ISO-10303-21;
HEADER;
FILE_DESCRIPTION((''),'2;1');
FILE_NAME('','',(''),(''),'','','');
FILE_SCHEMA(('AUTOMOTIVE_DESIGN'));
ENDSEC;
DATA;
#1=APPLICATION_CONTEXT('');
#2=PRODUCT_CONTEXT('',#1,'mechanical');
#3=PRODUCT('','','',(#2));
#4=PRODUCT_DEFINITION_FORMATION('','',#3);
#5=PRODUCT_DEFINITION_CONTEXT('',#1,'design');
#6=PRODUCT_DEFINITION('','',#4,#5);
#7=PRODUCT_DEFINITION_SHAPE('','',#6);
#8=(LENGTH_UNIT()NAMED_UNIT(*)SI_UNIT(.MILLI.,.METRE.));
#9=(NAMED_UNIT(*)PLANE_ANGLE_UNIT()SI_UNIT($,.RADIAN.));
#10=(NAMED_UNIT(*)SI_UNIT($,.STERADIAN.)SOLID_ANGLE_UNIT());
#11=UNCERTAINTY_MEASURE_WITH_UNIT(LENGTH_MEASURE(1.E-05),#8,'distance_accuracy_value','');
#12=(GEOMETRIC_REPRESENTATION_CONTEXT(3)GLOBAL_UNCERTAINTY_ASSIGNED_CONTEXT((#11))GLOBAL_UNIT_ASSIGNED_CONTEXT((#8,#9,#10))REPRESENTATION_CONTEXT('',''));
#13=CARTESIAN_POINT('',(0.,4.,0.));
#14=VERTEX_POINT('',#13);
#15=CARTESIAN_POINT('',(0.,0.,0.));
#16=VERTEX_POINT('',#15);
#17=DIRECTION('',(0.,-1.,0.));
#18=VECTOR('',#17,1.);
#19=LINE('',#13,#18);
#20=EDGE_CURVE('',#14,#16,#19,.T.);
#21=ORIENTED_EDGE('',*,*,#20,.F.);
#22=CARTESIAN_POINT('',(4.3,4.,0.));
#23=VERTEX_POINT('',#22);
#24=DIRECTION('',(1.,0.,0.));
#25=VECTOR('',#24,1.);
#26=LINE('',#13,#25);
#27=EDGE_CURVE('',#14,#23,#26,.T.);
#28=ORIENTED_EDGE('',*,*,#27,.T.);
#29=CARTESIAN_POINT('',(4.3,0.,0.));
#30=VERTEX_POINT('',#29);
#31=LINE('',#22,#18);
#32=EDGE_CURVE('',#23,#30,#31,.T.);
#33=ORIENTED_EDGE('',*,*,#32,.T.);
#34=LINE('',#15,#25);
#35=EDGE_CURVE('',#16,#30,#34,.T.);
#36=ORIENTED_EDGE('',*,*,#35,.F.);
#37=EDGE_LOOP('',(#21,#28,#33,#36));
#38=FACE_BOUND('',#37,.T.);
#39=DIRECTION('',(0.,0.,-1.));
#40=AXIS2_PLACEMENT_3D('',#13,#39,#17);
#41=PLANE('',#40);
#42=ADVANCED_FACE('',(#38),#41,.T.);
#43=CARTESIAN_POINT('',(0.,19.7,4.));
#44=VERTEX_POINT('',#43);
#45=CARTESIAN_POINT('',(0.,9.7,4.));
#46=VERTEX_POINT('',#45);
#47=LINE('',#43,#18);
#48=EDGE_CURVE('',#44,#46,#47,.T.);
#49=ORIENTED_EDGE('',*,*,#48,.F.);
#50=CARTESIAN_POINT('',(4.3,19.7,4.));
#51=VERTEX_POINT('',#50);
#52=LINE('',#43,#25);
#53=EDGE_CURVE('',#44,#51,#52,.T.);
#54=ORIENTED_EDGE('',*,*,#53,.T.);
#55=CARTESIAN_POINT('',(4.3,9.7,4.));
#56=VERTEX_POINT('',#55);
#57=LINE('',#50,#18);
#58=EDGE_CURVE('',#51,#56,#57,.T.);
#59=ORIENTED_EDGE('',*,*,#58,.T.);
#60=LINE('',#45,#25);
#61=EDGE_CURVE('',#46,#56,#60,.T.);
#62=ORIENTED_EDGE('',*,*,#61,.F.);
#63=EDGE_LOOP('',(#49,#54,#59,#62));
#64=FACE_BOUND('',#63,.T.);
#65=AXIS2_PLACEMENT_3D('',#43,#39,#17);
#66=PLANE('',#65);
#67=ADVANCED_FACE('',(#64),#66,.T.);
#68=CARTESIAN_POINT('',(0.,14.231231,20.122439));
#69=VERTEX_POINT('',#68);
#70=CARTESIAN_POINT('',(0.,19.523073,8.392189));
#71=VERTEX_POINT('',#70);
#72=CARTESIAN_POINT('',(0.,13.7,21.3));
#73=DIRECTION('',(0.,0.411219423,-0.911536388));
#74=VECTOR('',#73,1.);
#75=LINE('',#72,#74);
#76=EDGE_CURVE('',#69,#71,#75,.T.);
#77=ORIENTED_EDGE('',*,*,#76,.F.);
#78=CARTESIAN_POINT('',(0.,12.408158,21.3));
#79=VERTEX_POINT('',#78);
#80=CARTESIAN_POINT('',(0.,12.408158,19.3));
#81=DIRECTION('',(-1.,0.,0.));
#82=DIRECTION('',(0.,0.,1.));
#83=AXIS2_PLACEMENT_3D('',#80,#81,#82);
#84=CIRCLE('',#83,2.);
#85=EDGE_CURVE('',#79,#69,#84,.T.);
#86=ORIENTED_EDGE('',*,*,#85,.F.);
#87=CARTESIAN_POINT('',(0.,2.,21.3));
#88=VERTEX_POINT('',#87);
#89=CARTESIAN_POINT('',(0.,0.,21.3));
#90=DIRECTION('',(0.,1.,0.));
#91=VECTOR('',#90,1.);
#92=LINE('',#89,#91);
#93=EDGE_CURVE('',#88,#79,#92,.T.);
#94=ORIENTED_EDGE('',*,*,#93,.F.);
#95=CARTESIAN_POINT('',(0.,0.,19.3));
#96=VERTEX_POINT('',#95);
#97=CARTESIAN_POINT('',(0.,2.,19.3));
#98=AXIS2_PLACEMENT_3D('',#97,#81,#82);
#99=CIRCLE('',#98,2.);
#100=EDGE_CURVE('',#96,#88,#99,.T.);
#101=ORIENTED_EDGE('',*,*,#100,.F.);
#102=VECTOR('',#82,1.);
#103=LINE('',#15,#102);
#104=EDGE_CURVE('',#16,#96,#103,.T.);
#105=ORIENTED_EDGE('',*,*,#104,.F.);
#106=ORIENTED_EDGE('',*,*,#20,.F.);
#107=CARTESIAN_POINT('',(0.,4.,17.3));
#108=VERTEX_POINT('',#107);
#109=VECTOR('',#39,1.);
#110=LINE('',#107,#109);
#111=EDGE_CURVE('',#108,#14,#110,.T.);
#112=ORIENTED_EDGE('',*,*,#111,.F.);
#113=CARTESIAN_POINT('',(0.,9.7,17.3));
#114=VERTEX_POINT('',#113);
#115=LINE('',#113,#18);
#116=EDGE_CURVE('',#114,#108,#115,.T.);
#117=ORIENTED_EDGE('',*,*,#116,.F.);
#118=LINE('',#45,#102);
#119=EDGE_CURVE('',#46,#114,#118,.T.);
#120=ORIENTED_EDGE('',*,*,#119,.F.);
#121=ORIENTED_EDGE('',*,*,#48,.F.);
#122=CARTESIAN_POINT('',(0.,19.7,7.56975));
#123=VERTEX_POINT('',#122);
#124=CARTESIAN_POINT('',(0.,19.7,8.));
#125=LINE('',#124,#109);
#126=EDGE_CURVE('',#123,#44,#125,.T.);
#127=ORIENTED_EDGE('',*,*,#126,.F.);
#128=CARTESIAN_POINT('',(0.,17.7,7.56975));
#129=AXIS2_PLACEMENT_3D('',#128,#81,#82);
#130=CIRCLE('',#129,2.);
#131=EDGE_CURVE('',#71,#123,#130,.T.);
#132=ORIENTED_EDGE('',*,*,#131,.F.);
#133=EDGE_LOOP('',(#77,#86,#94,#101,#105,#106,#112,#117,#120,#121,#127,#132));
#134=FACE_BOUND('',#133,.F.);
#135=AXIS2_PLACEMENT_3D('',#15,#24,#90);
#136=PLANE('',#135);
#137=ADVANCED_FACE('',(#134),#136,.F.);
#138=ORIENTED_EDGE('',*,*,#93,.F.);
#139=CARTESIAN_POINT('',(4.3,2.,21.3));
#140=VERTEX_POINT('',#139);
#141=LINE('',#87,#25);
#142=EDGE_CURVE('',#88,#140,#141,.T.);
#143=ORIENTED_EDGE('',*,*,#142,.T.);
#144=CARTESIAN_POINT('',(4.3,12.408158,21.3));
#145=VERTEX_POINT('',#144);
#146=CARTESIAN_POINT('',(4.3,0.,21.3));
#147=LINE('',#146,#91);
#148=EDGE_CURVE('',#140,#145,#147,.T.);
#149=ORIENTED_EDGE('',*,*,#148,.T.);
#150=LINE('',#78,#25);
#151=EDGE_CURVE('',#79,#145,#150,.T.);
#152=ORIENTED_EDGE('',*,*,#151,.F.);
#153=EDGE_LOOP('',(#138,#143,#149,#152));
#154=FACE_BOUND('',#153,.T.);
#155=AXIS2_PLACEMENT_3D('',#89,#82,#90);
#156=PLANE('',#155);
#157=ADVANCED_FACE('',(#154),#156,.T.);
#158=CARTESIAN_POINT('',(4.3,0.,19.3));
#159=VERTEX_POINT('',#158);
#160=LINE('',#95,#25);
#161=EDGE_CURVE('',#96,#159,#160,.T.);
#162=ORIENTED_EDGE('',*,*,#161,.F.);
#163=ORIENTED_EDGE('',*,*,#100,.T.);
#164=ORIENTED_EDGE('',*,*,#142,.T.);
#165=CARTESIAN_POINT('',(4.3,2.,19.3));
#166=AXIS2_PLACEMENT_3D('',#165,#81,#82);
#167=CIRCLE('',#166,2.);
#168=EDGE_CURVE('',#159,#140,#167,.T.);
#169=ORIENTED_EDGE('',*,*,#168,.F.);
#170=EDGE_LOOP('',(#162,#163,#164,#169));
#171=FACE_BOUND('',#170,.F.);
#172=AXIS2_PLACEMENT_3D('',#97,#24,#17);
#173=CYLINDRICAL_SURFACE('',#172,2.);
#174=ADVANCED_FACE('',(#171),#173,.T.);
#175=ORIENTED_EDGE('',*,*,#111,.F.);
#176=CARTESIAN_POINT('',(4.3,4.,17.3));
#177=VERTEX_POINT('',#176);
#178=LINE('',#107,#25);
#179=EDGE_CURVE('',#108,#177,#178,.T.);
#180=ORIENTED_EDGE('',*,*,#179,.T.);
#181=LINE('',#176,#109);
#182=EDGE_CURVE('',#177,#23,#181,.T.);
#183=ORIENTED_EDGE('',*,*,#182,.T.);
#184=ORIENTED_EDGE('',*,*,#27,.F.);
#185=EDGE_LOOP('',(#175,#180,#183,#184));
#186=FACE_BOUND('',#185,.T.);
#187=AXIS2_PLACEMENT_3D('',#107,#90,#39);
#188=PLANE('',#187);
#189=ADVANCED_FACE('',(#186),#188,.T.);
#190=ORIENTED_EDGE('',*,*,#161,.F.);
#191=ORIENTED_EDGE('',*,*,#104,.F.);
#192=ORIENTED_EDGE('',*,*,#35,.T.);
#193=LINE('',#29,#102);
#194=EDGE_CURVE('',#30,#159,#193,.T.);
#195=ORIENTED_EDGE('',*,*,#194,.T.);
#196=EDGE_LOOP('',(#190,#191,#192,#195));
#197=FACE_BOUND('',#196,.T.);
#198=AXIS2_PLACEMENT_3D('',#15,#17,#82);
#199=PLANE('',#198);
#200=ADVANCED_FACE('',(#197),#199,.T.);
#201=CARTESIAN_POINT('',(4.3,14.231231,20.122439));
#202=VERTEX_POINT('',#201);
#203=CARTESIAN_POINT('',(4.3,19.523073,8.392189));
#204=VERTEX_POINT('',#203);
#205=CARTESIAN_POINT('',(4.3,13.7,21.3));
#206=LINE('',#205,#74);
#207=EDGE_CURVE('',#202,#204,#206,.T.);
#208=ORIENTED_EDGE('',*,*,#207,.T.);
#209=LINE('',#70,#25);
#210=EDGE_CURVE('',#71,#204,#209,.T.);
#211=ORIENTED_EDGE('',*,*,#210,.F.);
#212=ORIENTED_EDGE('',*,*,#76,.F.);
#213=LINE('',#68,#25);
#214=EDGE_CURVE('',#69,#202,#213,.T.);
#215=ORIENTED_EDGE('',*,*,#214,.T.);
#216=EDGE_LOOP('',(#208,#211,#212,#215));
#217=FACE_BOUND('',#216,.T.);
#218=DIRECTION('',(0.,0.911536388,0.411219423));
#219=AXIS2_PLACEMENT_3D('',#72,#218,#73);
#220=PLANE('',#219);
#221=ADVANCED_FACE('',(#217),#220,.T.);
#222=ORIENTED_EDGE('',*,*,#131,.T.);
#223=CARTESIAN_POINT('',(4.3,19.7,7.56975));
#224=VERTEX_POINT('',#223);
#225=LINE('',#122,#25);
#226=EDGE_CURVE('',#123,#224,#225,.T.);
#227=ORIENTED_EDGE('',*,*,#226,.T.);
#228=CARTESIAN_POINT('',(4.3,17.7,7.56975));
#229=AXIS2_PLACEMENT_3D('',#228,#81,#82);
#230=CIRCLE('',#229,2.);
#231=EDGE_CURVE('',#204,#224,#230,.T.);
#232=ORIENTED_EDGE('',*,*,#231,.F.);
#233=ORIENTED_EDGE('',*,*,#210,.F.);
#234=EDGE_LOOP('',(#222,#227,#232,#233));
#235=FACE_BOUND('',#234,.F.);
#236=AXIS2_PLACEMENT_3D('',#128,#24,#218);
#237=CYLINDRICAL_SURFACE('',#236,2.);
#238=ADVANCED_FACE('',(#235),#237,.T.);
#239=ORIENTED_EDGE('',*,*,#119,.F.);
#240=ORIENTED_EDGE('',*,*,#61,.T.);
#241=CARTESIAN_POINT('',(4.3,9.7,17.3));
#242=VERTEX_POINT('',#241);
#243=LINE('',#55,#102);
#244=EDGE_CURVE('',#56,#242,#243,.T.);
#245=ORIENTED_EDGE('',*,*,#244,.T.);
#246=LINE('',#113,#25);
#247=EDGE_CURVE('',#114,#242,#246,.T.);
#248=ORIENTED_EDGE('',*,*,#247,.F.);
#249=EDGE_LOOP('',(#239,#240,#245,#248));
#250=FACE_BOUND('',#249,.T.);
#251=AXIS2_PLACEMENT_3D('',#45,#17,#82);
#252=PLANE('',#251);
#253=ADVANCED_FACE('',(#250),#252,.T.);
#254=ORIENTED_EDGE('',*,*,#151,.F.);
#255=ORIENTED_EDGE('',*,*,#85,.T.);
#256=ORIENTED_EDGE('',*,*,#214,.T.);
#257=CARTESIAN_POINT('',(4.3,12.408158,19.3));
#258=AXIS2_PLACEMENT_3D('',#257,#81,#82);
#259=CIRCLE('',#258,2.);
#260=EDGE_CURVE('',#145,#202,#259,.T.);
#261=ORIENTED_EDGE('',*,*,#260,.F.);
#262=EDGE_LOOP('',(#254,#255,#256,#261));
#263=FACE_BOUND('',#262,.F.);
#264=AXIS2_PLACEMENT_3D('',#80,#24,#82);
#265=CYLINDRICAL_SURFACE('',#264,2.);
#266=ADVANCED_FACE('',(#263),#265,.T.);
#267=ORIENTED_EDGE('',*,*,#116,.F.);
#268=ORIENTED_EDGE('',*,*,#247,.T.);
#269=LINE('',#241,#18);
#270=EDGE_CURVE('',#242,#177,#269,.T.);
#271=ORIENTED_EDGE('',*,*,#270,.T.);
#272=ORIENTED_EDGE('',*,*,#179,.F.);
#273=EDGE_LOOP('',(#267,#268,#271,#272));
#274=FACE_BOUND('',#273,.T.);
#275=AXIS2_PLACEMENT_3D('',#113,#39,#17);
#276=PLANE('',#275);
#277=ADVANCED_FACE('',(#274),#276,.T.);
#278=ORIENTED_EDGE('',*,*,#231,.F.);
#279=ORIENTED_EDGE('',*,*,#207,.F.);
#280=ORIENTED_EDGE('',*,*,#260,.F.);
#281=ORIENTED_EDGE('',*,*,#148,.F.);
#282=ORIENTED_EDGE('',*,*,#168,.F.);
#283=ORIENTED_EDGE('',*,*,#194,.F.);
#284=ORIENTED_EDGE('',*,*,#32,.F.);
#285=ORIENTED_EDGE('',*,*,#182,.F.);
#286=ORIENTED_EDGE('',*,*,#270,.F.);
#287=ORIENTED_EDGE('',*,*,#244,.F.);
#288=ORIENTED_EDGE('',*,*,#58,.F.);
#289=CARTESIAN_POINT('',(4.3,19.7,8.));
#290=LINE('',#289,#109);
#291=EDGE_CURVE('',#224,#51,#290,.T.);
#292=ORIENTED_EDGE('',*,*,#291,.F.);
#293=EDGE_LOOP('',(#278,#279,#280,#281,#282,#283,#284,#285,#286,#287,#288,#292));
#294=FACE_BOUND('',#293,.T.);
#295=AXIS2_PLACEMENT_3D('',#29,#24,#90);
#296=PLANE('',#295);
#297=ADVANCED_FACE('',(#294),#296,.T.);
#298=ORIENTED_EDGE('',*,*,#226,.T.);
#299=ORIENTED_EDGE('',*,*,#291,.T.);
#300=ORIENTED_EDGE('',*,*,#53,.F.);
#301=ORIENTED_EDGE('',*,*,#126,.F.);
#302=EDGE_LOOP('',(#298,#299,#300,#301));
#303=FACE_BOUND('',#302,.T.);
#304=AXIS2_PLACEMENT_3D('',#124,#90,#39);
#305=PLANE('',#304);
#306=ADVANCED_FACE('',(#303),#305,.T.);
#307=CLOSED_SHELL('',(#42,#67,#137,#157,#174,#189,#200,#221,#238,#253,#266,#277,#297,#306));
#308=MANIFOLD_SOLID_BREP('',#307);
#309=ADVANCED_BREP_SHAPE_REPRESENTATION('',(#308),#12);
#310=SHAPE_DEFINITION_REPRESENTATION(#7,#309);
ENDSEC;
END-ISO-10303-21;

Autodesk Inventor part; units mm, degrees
ref_plane "YZ Plane" through (0, 0, 0) normal (1, 0, 0) x (0, 1, 0)
ref_plane "XZ Plane" through (0, 0, 0) normal (0, 1, 0) x (-1, 0, 0)
ref_plane "XY Plane" through (0, 0, 0) normal (0, 0, 1) x (1, 0, 0)
sketch "Sketch1" plane through (0, 0, 0) normal (1, 0, 0) x (0, 1, 0)
  line L0 (0, 0) -> (0, 21.3)
  line L1 (0, 21.3) -> (13.7, 21.3)
  line L2 (19.7, 4) -> (9.7, 4)
  line L3 (9.7, 4) -> (9.7, 17.3)
  line L4 (9.7, 17.3) -> (4, 17.3)
  line L5 (4, 17.3) -> (4, 0)
  line L6 (4, 0) -> (0, 0)
  line L7 (13.7, 21.3) -> (19.7, 8)
  line L8 (19.7, 8) -> (19.7, 4)
  dimension "d0" = 4
  dimension "d1" = 4
  dimension "d2" = 5.7
  dimension "d4" = 4
  dimension "d5" = 10
  dimension "d6" = 13.3
  dimension "d9" = 4
  dimension "d11" = 4
extrude "Extrusion1" add sketch "Sketch1" along normal blind 4.3
fillet "Fillet1" radius 2 3 edges at (2.15, 0, 21.3) (2.15, 13.7, 21.3) (2.15, 19.7, 8)
properties part number "TrayPanelJ"
